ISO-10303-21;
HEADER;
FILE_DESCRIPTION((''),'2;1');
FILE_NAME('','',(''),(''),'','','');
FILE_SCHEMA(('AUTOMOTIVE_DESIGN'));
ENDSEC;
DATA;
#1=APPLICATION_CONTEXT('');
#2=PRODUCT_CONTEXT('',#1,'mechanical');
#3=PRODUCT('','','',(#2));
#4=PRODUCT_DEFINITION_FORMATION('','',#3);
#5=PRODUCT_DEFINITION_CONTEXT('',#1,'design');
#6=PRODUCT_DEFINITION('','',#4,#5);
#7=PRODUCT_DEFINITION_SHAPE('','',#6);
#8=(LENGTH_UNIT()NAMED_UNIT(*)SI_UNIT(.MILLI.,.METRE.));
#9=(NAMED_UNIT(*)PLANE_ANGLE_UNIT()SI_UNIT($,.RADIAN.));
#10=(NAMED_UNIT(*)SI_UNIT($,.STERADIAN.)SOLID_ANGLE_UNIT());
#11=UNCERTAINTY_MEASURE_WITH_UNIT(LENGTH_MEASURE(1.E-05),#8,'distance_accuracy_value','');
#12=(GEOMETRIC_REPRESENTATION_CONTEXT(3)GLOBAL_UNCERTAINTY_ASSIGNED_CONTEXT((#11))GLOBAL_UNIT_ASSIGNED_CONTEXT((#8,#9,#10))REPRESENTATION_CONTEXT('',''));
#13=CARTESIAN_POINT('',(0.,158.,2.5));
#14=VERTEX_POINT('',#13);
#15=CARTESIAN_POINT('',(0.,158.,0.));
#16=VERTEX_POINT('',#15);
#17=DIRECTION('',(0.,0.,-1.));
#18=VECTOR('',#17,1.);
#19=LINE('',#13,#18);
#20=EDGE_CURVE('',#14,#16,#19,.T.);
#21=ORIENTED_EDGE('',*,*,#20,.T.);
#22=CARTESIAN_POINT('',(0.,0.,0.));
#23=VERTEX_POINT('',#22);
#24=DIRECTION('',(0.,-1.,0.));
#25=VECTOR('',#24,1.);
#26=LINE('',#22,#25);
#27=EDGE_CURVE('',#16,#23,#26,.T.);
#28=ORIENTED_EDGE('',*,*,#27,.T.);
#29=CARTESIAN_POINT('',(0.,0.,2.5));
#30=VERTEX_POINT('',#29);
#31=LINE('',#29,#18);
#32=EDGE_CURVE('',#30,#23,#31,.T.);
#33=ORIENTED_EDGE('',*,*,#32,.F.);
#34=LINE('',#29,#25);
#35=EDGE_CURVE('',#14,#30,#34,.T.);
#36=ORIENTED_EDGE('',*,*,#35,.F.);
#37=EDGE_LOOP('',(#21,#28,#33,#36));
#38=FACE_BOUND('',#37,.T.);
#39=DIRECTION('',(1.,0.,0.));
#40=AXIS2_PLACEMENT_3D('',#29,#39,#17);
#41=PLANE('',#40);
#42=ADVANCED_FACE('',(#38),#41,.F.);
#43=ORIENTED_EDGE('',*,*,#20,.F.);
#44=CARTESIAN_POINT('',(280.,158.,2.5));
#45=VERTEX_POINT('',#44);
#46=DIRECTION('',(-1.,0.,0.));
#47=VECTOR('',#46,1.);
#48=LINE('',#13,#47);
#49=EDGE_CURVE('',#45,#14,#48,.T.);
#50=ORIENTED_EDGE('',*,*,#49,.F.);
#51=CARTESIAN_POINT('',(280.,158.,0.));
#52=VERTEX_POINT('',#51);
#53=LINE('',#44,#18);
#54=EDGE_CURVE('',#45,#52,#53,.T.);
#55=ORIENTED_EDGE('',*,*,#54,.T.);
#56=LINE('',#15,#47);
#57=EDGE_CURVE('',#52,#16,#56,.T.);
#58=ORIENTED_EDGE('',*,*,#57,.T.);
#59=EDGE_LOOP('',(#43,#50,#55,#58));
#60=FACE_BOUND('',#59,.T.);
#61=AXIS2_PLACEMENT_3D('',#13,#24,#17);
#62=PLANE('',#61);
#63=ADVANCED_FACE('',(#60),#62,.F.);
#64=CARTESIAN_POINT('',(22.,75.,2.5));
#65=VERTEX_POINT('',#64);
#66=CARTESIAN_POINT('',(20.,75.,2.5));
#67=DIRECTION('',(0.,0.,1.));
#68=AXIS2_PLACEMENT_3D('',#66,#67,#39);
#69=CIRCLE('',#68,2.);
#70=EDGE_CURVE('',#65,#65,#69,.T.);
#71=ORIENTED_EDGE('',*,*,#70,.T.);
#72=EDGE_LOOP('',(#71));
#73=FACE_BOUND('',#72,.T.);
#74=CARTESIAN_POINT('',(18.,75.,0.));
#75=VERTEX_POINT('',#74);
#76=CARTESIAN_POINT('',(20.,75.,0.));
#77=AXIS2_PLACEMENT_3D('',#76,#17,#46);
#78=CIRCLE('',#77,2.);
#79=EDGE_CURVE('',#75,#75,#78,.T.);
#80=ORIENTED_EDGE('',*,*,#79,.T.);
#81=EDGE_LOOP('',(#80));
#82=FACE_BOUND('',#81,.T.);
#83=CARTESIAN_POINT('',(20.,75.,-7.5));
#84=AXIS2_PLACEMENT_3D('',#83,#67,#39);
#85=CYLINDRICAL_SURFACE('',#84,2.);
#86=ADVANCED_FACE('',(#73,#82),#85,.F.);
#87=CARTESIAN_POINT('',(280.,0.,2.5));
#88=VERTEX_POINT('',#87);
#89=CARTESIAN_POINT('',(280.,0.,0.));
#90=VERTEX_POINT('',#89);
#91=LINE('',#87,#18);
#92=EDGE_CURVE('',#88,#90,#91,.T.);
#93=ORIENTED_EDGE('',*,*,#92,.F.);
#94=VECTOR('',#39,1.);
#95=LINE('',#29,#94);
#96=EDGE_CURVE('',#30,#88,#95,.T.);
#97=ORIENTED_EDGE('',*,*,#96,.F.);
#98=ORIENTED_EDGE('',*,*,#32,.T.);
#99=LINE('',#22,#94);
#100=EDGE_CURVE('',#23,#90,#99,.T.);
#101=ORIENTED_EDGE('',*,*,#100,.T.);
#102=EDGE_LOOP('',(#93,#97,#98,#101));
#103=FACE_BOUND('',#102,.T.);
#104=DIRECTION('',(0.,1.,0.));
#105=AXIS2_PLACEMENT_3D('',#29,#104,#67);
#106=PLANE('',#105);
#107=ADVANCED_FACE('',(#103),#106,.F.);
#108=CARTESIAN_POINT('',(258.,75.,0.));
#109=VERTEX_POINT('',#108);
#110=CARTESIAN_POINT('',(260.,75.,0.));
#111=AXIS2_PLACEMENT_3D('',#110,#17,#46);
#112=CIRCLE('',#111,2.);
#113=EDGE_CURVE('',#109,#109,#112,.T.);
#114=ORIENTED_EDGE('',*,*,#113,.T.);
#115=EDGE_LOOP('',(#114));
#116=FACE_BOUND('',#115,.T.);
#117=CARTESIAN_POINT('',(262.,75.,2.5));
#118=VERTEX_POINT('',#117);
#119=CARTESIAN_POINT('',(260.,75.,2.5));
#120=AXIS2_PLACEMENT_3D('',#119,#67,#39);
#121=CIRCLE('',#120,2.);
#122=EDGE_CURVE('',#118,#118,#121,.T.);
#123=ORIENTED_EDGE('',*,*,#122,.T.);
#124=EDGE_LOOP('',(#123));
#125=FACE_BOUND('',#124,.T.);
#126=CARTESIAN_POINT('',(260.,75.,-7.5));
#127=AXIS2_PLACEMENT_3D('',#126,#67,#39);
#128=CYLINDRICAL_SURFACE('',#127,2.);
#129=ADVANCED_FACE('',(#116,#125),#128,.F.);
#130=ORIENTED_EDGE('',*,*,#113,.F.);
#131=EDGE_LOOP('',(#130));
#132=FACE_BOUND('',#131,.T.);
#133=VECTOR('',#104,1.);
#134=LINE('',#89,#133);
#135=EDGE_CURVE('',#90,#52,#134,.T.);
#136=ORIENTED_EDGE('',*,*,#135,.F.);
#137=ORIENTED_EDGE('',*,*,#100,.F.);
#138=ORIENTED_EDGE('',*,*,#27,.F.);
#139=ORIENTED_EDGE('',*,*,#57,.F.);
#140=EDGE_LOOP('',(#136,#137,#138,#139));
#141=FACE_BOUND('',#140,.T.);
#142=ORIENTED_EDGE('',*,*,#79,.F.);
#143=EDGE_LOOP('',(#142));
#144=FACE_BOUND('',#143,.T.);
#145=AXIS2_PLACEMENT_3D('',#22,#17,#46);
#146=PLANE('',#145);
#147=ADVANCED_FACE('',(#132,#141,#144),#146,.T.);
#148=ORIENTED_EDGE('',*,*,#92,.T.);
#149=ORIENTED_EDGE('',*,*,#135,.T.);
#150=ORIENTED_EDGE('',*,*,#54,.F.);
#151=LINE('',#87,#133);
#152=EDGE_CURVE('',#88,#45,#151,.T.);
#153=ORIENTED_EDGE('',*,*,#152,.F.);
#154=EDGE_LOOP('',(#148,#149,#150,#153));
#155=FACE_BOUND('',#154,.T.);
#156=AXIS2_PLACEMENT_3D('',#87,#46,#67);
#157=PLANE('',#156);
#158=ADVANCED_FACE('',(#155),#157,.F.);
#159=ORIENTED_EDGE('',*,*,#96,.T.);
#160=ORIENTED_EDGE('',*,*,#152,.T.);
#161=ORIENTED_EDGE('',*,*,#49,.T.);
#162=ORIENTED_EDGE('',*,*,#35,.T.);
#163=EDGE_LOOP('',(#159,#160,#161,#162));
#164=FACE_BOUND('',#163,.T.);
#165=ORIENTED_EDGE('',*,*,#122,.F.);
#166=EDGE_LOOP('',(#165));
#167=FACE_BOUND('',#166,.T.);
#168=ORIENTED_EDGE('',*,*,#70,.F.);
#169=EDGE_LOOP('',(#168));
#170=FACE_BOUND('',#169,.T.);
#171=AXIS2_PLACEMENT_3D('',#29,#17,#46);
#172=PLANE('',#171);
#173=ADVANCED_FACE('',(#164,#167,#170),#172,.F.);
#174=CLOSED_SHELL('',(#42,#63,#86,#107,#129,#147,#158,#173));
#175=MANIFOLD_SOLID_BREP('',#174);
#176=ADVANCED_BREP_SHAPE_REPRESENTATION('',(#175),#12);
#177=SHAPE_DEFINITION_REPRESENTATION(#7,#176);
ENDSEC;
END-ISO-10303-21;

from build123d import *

# Parameters (mm, degrees)
SCHIZZO1_W                   = 280
SCHIZZO1_H                   = 158
ESTRUSIONE_ESTRUSIONE1_DEPTH = 2.5
SCHIZZO2_R                   = 2
TAGLIO_ESTRUSIONE1_DEPTH     = 10


with BuildPart() as part:
    # Schizzo1 → Estrusione-Estrusione1 (new body)
    with BuildSketch(Plane.XY):
        with Locations((140, 79)):
            Rectangle(SCHIZZO1_W, SCHIZZO1_H)
    extrude(amount=ESTRUSIONE_ESTRUSIONE1_DEPTH)

    # Schizzo2 → Taglio-Estrusione1 (cut)
    with BuildSketch(Plane.XY.offset(2.5)):
        with Locations((260, 75)):
            Circle(SCHIZZO2_R)
        with Locations((20, 75)):
            Circle(SCHIZZO2_R)
    extrude(amount=-TAGLIO_ESTRUSIONE1_DEPTH, mode=Mode.SUBTRACT)


solid = part.part
